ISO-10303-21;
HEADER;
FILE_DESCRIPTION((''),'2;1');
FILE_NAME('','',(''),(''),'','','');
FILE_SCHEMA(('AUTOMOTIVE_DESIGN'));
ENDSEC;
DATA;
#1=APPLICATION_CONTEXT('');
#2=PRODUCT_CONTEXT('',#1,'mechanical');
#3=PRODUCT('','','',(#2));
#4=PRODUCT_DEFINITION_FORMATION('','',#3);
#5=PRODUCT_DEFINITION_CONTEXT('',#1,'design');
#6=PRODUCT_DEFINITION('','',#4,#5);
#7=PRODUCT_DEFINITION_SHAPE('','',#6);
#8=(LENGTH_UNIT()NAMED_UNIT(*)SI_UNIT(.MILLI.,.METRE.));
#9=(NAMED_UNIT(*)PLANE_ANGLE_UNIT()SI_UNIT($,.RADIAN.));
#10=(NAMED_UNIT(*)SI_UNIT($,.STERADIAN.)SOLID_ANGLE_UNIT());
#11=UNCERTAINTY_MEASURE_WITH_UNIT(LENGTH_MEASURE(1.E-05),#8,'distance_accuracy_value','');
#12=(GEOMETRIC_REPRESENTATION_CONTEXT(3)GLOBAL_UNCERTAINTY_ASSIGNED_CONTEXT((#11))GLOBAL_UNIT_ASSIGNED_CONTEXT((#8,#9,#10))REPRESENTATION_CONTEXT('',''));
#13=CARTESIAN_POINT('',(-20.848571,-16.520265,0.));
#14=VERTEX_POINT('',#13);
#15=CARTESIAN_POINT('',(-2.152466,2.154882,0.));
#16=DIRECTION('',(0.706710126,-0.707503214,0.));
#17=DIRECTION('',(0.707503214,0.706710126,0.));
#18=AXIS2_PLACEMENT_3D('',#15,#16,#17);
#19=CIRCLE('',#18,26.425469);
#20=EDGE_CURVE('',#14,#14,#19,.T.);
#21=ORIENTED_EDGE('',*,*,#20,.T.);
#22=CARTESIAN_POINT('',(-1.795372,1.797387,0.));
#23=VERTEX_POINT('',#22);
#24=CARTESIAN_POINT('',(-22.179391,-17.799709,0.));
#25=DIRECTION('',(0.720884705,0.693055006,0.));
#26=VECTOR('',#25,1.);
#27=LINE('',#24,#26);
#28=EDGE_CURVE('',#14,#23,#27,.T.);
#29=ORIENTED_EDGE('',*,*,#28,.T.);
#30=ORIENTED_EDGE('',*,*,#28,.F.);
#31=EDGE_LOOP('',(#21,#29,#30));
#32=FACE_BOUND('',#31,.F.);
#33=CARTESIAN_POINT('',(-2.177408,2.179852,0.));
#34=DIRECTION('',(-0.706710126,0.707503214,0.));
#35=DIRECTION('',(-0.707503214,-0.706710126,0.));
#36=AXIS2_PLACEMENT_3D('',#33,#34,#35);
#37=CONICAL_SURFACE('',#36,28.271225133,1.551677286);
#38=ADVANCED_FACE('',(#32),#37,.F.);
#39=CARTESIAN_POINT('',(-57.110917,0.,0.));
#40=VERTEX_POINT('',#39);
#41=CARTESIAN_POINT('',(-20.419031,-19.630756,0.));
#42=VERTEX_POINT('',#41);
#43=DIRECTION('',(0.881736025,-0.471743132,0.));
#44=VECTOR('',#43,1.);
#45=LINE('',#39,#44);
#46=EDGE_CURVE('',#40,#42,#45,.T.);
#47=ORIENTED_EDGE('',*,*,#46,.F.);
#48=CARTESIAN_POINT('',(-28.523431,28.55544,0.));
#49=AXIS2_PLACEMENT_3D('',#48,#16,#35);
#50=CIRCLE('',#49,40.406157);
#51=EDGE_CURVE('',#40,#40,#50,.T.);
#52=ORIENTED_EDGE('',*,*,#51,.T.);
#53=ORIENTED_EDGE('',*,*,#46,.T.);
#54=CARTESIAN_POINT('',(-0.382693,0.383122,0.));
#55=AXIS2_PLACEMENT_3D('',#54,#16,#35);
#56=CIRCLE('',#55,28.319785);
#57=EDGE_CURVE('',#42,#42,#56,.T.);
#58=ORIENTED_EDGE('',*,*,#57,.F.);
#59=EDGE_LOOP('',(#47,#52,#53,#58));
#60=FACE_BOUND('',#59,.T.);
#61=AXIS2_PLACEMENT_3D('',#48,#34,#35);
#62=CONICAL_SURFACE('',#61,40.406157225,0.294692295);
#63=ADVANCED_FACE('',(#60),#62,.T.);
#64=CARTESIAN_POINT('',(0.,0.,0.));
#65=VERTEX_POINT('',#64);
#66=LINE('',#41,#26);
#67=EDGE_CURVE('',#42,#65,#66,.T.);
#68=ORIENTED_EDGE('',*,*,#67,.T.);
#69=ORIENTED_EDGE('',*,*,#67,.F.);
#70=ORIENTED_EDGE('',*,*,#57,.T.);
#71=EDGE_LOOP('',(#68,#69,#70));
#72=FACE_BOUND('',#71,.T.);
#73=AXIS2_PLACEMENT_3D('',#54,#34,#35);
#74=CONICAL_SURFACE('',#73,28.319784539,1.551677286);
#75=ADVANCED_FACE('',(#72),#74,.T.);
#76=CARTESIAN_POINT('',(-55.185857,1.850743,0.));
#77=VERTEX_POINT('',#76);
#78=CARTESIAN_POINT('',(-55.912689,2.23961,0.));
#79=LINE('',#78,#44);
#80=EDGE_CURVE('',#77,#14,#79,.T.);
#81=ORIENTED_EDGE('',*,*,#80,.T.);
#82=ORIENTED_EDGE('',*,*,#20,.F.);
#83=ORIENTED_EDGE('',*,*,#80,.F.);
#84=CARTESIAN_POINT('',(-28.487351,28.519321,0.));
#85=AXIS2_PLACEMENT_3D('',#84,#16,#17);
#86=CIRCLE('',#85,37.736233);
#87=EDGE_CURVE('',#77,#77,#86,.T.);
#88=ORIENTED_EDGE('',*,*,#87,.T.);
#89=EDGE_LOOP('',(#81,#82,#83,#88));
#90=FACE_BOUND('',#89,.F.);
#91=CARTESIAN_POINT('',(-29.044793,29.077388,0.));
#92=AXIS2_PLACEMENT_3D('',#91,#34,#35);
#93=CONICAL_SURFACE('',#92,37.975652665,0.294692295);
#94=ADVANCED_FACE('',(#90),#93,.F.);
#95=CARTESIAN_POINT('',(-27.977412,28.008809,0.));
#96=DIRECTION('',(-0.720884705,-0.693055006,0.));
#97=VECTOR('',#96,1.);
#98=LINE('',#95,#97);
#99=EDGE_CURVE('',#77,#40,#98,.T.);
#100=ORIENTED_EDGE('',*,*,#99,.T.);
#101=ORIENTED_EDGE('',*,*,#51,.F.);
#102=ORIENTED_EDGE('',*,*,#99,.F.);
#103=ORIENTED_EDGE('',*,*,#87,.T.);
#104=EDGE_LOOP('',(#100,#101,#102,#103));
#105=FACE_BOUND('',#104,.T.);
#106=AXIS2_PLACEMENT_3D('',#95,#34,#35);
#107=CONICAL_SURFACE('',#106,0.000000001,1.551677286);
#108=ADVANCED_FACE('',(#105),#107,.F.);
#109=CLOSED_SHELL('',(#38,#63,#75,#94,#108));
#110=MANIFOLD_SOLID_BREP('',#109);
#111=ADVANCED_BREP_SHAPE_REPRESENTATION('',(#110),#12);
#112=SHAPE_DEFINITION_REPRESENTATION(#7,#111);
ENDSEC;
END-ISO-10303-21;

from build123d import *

# Parameters (mm, degrees)
F2_T = -2.54


with BuildPart() as f1:
    # F0 (on Top) → F1 (revolve)
    with BuildSketch(Plane.XY):
        Polygon((-20.4190313816, -19.6307562292), (0, 0), (-27.9774115412, 28.0088085278), (-57.1109168231, 0), align=None)
    revolve(axis=Axis((-13.9887057706, 14.0044042639, 0), (0.7067101257, -0.7075032143, 0)))

    # F2
    f2_openings = [f1.faces().sort_by_distance(p)[0] for p in [
        (-13.956678, 42.559845, 0),
    ]]
    offset(amount=F2_T, openings=f2_openings)


solid = f1.part
